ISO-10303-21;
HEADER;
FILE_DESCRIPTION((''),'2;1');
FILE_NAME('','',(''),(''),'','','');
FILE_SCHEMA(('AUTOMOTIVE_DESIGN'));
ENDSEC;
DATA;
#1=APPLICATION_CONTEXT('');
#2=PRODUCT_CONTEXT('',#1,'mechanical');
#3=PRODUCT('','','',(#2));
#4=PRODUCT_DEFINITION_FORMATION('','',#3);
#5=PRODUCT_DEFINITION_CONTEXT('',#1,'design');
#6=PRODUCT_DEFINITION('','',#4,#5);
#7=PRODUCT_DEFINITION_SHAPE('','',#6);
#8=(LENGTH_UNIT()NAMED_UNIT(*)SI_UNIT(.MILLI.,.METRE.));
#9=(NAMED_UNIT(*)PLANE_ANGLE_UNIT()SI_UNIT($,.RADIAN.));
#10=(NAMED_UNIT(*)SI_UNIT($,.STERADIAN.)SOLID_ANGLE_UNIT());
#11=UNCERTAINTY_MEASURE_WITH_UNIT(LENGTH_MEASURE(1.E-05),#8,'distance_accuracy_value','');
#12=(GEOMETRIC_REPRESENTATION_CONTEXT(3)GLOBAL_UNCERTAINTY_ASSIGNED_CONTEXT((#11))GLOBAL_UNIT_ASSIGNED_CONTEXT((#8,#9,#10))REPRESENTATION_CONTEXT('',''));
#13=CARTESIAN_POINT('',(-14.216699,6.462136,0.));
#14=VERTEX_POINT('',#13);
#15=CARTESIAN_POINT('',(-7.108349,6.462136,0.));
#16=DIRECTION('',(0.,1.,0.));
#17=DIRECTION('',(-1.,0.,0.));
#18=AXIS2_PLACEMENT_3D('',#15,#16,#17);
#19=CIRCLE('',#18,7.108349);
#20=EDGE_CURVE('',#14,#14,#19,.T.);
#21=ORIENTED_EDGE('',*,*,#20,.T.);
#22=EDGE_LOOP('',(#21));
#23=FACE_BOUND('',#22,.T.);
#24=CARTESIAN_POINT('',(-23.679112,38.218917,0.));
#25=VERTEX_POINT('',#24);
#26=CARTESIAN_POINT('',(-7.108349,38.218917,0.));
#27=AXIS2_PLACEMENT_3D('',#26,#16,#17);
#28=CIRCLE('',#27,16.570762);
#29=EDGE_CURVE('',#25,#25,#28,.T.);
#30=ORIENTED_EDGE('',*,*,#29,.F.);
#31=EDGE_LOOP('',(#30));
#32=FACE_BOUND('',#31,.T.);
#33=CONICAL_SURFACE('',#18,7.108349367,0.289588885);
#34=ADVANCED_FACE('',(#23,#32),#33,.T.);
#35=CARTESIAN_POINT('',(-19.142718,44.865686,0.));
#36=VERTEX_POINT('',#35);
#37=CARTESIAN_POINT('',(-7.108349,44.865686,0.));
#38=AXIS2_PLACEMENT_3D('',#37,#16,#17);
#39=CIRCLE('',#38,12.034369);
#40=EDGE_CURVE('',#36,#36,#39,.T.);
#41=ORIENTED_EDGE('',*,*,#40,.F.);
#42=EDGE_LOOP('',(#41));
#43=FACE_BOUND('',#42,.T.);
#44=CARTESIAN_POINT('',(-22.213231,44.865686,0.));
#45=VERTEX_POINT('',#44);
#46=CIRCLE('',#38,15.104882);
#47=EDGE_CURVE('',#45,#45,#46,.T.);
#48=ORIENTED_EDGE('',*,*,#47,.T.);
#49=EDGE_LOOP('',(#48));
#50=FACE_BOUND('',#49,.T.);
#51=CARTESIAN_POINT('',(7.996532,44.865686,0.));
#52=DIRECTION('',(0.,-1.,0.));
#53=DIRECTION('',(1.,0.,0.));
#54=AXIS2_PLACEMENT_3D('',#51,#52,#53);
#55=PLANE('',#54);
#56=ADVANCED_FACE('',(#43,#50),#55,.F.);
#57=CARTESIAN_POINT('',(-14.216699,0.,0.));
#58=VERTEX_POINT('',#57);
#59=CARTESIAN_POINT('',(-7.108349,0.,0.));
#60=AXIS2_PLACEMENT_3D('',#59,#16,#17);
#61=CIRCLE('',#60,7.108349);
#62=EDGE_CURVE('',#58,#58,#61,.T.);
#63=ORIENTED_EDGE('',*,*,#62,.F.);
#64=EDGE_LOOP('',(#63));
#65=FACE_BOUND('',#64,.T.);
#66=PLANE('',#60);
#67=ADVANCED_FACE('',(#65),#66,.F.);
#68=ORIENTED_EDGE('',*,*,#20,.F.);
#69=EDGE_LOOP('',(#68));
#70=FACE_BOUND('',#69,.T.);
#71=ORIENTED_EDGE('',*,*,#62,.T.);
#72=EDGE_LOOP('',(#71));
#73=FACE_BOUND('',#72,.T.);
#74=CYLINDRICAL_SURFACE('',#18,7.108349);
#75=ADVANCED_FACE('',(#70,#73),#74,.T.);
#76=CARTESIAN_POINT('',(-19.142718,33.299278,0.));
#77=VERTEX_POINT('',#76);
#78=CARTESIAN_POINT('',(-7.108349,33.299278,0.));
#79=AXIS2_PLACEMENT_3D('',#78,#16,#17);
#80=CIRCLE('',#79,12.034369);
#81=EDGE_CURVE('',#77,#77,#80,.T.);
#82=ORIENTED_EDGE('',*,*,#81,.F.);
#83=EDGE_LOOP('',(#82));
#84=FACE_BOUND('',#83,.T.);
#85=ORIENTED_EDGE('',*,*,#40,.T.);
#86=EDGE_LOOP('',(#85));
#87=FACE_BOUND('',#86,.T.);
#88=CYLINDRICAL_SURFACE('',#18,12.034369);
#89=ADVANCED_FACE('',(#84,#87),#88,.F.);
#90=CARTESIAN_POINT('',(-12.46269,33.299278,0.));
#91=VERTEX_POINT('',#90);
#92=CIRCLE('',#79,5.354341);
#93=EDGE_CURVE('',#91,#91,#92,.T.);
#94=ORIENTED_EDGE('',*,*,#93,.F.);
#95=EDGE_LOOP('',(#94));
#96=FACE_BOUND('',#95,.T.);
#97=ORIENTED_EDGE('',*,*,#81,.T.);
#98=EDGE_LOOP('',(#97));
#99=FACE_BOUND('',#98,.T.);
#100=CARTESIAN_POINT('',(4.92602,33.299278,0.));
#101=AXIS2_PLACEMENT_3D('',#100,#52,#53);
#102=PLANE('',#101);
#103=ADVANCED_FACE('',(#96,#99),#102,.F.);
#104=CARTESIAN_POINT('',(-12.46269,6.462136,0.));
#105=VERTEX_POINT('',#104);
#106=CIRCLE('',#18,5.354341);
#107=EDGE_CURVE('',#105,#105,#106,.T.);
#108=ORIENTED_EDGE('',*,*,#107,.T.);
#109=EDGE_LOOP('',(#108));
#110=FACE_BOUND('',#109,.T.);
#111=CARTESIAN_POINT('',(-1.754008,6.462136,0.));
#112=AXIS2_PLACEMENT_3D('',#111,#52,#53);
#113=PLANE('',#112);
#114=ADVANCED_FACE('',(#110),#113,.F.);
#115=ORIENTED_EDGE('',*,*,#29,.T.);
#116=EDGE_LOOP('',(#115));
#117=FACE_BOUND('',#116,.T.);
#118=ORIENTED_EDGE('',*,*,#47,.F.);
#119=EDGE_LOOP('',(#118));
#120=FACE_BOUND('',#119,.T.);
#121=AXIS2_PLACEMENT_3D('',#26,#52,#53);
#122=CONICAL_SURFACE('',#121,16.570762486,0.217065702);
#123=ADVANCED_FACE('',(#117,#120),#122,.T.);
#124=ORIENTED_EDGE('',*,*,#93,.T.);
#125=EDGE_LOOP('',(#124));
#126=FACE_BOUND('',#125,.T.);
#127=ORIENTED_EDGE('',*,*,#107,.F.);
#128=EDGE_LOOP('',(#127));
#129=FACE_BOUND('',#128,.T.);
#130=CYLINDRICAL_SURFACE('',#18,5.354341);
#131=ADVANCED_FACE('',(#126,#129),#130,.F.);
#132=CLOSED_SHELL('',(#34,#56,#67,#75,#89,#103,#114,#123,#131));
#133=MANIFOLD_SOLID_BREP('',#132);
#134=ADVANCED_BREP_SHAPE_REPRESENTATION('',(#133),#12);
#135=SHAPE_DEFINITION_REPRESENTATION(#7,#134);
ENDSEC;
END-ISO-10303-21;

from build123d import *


with BuildPart() as part:
    # Sketch1 → Revolve1 (revolve)
    with BuildSketch(Plane.XY):
        Polygon((0, 0), (0, 6.462135789), (9.462413119, 38.218917378), (7.996532166, 44.865685618), (4.926019535, 44.865685618), (4.926019535, 33.299277886), (-1.754008285, 33.299277886), (-1.754008285, 6.462135789), (-7.108349367, 6.462135789), (-7.108349367, 0), align=None)
    revolve(axis=Axis((-7.108349367, 6.462135789, 0), (0, -1, 0)))


solid = part.part
